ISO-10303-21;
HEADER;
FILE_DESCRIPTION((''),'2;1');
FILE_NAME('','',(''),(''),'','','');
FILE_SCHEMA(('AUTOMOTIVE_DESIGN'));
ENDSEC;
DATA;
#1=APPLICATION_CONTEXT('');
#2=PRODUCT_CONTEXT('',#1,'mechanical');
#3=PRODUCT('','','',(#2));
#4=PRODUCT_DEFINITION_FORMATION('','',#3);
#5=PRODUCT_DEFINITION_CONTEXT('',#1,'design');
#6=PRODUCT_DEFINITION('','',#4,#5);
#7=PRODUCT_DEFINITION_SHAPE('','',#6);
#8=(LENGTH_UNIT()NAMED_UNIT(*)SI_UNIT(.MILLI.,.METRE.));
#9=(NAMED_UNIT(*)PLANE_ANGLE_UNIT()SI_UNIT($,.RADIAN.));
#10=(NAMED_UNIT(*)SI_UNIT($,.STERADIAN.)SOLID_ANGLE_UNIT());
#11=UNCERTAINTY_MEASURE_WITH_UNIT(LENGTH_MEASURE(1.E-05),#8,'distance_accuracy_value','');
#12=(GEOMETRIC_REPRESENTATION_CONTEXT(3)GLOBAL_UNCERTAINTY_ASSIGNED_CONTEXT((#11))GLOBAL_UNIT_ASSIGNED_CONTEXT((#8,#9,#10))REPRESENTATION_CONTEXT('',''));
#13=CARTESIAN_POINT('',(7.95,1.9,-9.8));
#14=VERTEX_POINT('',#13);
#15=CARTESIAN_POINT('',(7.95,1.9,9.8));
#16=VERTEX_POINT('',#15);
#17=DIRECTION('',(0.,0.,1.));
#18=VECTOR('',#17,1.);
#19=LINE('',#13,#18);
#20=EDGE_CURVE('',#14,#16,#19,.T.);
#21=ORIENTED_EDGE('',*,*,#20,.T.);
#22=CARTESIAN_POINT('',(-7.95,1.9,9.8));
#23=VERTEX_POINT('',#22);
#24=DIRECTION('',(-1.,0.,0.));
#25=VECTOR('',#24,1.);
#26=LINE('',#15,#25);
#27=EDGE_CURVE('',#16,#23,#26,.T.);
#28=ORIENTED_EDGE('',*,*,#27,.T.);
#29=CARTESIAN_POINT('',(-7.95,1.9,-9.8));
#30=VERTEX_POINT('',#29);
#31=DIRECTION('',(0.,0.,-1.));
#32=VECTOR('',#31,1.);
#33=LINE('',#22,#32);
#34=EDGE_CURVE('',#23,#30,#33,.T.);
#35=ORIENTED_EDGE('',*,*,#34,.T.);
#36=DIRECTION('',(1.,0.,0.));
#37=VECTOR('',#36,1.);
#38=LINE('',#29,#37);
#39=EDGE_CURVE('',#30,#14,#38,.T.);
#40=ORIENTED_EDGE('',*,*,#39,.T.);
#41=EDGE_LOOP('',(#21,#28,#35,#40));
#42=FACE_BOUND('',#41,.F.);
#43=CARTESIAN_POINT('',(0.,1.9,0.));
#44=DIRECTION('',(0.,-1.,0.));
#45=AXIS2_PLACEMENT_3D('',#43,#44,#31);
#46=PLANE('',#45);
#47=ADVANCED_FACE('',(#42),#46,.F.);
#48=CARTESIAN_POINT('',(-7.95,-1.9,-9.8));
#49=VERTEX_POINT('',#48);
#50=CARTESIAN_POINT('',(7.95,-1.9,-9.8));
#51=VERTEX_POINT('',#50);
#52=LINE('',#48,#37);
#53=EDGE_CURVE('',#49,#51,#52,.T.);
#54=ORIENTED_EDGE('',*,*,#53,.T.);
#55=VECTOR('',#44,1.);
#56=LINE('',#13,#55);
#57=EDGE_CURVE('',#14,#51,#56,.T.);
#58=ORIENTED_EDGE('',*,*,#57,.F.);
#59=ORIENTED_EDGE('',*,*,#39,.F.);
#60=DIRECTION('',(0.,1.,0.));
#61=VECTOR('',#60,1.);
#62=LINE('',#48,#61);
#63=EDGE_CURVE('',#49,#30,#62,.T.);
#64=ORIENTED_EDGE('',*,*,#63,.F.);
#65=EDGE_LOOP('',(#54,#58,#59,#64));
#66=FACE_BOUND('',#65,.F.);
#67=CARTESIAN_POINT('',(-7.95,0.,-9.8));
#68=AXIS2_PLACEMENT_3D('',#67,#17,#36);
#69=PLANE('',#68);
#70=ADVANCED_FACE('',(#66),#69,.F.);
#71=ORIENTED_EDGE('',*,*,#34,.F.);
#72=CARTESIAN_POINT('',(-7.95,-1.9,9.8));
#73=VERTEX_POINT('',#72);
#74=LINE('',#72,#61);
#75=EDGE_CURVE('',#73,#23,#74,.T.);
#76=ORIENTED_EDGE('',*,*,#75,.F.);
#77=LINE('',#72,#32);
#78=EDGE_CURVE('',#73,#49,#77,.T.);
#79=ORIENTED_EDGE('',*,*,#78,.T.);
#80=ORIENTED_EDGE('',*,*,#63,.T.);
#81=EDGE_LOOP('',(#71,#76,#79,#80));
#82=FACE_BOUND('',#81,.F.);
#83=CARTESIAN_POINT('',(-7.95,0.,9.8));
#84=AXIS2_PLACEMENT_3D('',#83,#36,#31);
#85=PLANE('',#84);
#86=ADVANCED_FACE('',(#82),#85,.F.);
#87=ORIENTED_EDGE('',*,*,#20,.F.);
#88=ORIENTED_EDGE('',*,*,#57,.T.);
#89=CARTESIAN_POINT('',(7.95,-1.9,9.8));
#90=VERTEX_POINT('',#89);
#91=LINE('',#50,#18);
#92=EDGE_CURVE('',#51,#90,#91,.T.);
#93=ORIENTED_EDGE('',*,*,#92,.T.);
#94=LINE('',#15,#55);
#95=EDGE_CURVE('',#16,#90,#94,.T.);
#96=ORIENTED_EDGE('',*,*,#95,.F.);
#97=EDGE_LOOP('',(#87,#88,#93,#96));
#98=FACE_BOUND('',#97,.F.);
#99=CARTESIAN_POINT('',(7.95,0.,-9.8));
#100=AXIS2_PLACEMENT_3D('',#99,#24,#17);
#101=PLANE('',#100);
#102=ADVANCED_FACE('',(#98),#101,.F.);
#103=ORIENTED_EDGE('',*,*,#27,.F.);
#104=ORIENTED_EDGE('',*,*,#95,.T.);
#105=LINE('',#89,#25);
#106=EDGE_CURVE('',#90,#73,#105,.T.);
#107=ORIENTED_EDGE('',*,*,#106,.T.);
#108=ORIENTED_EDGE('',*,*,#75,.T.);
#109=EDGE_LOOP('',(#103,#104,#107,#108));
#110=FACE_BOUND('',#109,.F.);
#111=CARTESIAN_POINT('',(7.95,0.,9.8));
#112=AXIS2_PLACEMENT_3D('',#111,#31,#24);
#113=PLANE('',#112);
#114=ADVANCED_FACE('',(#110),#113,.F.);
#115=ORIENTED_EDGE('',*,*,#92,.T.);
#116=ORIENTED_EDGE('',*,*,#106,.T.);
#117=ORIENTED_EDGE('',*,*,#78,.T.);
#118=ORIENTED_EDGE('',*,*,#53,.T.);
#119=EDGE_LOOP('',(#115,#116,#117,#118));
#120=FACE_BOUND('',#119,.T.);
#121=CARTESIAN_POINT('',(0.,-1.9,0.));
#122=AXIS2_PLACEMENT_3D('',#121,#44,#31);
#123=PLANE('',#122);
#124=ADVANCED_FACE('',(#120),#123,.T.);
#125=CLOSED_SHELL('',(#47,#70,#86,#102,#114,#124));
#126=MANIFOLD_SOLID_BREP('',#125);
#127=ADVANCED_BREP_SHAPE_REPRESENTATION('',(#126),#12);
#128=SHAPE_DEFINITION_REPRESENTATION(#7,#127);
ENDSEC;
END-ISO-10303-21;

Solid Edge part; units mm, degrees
sketch "Sketch1" plane through (0, 0, 0) normal (0, -1, 0) x (1, 0, 0)
  line L0 (-7.95, -9.8) -> (7.95, -9.8)
  line L1 (7.95, -9.8) -> (7.95, 9.8)
  line L2 (7.95, 9.8) -> (-7.95, 9.8)
  line L3 (-7.95, 9.8) -> (-7.95, -9.8)
extrude "Protrusion1" add sketch "Sketch1" along normal mid plane 3.8
